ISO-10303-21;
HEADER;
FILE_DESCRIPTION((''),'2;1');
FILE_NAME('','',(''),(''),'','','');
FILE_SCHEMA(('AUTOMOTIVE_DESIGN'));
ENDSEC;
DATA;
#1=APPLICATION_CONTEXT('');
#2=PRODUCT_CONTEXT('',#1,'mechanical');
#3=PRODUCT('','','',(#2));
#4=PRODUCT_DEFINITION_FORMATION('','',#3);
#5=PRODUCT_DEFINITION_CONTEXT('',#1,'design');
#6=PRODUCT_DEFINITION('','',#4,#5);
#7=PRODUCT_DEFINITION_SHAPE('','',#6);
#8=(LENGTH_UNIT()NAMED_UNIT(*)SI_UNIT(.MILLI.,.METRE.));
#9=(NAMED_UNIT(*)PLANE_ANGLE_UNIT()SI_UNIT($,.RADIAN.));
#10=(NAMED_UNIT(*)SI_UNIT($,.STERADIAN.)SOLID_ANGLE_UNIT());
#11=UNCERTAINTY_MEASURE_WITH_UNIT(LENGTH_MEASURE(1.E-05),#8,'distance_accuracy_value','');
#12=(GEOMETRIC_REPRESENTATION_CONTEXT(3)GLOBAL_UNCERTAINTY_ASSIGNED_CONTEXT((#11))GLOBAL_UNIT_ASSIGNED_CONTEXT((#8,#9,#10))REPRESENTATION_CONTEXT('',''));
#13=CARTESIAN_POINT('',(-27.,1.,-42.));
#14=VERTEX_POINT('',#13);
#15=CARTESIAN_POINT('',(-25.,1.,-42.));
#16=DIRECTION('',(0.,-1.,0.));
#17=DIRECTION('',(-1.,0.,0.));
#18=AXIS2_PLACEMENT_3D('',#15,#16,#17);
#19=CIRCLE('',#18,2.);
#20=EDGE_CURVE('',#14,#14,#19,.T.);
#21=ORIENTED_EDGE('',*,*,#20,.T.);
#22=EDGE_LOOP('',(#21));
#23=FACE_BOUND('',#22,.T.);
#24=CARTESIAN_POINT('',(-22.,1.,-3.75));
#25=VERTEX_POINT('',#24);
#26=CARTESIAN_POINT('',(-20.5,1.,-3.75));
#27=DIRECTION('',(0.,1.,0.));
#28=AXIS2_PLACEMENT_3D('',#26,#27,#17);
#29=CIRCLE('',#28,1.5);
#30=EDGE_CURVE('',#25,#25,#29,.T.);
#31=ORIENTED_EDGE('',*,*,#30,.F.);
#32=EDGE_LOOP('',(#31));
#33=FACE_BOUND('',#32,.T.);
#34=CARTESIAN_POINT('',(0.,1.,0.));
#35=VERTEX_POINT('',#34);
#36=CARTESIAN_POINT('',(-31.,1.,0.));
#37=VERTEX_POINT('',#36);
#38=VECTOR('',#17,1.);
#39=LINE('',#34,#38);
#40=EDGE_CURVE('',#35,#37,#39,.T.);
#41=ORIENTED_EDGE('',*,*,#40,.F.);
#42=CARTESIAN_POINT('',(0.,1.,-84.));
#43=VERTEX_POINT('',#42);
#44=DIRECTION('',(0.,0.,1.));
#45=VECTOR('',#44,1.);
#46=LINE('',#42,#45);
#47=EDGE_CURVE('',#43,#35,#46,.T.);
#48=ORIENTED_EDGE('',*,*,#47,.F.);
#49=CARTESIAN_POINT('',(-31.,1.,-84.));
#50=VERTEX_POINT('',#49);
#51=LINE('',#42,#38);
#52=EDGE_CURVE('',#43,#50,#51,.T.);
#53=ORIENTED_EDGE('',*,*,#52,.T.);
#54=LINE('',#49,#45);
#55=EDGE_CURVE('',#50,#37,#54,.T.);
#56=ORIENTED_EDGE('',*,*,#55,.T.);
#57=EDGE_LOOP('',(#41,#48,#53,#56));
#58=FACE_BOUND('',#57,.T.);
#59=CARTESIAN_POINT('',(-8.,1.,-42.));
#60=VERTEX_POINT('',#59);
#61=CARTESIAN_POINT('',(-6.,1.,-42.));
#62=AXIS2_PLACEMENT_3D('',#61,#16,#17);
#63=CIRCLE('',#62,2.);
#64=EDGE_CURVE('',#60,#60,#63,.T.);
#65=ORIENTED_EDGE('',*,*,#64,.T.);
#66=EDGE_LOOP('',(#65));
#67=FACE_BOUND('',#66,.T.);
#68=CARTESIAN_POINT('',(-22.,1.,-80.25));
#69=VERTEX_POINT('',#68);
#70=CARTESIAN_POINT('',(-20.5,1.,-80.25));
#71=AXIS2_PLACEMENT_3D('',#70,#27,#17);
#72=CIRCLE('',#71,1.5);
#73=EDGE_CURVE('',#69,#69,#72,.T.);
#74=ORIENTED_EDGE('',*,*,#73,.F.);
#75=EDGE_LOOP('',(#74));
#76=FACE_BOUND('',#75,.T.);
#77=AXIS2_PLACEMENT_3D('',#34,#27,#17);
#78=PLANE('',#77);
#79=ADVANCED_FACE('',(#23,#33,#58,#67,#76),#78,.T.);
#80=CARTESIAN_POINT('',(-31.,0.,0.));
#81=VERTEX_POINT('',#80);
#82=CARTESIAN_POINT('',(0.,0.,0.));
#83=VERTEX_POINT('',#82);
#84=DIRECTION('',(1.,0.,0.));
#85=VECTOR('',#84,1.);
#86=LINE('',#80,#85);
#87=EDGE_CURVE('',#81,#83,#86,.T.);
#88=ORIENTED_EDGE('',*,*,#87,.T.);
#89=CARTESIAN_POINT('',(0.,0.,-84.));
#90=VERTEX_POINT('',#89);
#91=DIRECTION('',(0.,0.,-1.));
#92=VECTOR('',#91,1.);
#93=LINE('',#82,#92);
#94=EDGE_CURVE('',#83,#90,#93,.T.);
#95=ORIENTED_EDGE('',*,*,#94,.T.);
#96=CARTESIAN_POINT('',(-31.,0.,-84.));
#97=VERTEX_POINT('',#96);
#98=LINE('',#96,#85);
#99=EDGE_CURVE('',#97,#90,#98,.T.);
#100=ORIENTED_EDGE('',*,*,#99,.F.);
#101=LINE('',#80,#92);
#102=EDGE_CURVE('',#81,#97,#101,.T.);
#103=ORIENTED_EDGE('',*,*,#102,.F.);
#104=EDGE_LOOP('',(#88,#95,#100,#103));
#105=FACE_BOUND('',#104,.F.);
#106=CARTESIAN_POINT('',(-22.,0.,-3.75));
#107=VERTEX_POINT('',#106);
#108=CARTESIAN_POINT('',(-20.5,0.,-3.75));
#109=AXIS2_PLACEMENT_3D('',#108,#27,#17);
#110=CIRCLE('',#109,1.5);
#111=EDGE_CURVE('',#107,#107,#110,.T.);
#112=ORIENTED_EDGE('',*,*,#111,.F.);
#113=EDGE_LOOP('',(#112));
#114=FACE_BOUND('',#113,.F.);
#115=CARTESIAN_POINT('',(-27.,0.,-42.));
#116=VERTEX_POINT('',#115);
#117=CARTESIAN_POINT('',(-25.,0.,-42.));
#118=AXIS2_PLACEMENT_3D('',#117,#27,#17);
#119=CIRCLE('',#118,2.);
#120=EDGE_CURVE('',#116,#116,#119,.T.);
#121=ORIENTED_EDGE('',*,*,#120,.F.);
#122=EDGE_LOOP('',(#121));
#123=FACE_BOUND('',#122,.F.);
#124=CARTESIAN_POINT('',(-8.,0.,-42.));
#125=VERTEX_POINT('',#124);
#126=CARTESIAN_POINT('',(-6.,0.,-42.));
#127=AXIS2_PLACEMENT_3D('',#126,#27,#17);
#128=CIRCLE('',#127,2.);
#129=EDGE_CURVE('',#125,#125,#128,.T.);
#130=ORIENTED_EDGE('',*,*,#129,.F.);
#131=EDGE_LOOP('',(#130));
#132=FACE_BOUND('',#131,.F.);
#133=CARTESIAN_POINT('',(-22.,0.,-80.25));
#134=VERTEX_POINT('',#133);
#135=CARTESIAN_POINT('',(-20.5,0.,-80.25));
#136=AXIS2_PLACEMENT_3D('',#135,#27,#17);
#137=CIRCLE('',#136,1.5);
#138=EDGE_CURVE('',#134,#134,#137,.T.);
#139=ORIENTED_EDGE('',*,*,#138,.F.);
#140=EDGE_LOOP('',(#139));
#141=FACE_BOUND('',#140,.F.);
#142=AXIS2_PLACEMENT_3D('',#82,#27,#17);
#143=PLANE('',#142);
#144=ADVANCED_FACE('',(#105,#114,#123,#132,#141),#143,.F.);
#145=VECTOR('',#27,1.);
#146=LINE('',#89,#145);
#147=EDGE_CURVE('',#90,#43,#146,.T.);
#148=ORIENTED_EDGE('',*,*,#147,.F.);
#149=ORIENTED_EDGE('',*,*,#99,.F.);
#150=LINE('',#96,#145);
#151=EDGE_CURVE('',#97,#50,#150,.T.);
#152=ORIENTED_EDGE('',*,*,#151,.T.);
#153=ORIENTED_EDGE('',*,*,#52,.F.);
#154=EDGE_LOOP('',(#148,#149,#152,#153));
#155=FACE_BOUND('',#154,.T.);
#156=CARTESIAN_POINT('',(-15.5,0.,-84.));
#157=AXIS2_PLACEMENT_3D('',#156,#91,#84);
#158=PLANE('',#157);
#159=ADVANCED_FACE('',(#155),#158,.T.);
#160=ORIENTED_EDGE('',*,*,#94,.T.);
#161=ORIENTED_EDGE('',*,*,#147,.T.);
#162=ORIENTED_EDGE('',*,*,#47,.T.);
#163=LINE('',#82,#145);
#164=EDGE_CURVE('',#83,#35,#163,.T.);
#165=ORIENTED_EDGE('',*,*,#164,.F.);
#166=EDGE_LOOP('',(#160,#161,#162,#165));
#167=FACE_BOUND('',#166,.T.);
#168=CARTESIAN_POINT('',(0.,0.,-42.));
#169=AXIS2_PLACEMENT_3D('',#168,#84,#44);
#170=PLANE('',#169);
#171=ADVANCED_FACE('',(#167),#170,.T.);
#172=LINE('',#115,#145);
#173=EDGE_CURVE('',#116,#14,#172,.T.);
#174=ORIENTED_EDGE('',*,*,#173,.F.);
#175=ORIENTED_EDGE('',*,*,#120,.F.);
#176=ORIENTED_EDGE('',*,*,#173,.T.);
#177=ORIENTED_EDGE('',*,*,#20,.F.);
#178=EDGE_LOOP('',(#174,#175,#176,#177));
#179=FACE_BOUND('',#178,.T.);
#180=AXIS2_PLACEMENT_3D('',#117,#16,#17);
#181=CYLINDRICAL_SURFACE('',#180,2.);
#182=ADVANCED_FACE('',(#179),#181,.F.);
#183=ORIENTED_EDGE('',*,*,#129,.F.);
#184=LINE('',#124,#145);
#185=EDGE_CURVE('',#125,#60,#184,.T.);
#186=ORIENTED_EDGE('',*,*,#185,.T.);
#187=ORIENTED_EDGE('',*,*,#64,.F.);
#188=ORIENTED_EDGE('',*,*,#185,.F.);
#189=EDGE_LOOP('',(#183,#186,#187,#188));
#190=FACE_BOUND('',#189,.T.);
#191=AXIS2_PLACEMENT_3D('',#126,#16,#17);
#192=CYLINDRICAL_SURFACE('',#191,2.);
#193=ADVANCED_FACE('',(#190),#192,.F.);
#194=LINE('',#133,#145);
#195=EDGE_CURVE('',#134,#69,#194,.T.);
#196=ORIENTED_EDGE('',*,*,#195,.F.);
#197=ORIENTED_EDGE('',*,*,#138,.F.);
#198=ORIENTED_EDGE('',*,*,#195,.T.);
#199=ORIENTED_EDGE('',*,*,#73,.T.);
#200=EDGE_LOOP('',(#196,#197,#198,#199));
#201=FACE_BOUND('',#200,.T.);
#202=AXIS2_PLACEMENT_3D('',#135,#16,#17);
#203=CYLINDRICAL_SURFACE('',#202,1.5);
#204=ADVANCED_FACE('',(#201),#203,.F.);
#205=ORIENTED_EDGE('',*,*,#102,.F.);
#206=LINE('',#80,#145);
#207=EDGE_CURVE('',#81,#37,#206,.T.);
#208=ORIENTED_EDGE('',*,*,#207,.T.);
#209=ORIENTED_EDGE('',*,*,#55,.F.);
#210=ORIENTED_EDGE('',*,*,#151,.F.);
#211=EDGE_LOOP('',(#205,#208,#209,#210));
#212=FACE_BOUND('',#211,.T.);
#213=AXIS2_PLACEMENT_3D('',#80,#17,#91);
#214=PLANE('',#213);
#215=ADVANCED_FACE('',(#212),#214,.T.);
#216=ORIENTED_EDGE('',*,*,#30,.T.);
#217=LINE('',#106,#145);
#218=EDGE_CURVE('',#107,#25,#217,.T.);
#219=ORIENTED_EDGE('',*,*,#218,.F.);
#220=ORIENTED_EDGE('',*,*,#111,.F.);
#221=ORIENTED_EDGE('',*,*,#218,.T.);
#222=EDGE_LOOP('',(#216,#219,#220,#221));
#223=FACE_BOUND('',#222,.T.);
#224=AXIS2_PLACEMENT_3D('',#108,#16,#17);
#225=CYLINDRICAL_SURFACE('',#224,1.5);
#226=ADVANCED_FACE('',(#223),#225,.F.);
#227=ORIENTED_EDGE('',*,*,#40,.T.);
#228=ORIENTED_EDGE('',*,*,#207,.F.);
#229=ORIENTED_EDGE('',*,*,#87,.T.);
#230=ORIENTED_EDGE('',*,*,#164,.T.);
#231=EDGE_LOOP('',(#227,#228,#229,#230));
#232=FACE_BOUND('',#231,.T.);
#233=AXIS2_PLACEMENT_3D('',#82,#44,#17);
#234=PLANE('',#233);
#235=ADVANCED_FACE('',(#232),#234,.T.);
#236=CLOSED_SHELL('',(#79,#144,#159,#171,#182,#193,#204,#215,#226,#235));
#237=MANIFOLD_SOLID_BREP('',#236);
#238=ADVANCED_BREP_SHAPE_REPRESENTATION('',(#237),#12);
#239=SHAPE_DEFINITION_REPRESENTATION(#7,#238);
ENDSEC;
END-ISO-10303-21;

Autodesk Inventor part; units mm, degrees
ref_plane "YZ Plane" through (0, 0, 0) normal (1, 0, 0) x (0, 1, 0)
ref_plane "XZ Plane" through (0, 0, 0) normal (0, 1, 0) x (-1, 0, 0)
ref_plane "XY Plane" through (0, 0, 0) normal (0, 0, 1) x (1, 0, 0)
sketch "Sketch1" plane through (0, 0, 0) normal (0, 1, 0) x (-1, 0, 0)
  line L0 (0, 0) -> (31, 0)
  line L1 (31, 0) -> (31, -84)
  line L2 (31, -84) -> (0, -84)
  line L3 (0, -84) -> (0, 0)
  line L4 (31, -42) -> (0, -42)
  circle A0 centre (20.5, -3.75) radius 1.5
  circle A1 centre (20.5, -80.25) radius 1.5
  line L5 (15.5, -84) -> (15.5, 0)
  circle A2 centre (25, -42) radius 2
  circle A3 centre (6, -42) radius 2
  dimension "d0" = 84
  dimension "d1" = 31
  dimension "d3" = 3.75
  dimension "d4" = 10.5
  dimension "d5" = 3
  dimension "d7" = 6
  dimension "d8" = 4
extrude "Extrusion1" add sketch "Sketch1" along normal blind 1 contours L0 L5 L4 A3 L3 | L0 L1 L4 A2 L5 | L4 A3 L5 L2 L3 | L4 A2 L1 L2 L5
properties part number "Platte4"
